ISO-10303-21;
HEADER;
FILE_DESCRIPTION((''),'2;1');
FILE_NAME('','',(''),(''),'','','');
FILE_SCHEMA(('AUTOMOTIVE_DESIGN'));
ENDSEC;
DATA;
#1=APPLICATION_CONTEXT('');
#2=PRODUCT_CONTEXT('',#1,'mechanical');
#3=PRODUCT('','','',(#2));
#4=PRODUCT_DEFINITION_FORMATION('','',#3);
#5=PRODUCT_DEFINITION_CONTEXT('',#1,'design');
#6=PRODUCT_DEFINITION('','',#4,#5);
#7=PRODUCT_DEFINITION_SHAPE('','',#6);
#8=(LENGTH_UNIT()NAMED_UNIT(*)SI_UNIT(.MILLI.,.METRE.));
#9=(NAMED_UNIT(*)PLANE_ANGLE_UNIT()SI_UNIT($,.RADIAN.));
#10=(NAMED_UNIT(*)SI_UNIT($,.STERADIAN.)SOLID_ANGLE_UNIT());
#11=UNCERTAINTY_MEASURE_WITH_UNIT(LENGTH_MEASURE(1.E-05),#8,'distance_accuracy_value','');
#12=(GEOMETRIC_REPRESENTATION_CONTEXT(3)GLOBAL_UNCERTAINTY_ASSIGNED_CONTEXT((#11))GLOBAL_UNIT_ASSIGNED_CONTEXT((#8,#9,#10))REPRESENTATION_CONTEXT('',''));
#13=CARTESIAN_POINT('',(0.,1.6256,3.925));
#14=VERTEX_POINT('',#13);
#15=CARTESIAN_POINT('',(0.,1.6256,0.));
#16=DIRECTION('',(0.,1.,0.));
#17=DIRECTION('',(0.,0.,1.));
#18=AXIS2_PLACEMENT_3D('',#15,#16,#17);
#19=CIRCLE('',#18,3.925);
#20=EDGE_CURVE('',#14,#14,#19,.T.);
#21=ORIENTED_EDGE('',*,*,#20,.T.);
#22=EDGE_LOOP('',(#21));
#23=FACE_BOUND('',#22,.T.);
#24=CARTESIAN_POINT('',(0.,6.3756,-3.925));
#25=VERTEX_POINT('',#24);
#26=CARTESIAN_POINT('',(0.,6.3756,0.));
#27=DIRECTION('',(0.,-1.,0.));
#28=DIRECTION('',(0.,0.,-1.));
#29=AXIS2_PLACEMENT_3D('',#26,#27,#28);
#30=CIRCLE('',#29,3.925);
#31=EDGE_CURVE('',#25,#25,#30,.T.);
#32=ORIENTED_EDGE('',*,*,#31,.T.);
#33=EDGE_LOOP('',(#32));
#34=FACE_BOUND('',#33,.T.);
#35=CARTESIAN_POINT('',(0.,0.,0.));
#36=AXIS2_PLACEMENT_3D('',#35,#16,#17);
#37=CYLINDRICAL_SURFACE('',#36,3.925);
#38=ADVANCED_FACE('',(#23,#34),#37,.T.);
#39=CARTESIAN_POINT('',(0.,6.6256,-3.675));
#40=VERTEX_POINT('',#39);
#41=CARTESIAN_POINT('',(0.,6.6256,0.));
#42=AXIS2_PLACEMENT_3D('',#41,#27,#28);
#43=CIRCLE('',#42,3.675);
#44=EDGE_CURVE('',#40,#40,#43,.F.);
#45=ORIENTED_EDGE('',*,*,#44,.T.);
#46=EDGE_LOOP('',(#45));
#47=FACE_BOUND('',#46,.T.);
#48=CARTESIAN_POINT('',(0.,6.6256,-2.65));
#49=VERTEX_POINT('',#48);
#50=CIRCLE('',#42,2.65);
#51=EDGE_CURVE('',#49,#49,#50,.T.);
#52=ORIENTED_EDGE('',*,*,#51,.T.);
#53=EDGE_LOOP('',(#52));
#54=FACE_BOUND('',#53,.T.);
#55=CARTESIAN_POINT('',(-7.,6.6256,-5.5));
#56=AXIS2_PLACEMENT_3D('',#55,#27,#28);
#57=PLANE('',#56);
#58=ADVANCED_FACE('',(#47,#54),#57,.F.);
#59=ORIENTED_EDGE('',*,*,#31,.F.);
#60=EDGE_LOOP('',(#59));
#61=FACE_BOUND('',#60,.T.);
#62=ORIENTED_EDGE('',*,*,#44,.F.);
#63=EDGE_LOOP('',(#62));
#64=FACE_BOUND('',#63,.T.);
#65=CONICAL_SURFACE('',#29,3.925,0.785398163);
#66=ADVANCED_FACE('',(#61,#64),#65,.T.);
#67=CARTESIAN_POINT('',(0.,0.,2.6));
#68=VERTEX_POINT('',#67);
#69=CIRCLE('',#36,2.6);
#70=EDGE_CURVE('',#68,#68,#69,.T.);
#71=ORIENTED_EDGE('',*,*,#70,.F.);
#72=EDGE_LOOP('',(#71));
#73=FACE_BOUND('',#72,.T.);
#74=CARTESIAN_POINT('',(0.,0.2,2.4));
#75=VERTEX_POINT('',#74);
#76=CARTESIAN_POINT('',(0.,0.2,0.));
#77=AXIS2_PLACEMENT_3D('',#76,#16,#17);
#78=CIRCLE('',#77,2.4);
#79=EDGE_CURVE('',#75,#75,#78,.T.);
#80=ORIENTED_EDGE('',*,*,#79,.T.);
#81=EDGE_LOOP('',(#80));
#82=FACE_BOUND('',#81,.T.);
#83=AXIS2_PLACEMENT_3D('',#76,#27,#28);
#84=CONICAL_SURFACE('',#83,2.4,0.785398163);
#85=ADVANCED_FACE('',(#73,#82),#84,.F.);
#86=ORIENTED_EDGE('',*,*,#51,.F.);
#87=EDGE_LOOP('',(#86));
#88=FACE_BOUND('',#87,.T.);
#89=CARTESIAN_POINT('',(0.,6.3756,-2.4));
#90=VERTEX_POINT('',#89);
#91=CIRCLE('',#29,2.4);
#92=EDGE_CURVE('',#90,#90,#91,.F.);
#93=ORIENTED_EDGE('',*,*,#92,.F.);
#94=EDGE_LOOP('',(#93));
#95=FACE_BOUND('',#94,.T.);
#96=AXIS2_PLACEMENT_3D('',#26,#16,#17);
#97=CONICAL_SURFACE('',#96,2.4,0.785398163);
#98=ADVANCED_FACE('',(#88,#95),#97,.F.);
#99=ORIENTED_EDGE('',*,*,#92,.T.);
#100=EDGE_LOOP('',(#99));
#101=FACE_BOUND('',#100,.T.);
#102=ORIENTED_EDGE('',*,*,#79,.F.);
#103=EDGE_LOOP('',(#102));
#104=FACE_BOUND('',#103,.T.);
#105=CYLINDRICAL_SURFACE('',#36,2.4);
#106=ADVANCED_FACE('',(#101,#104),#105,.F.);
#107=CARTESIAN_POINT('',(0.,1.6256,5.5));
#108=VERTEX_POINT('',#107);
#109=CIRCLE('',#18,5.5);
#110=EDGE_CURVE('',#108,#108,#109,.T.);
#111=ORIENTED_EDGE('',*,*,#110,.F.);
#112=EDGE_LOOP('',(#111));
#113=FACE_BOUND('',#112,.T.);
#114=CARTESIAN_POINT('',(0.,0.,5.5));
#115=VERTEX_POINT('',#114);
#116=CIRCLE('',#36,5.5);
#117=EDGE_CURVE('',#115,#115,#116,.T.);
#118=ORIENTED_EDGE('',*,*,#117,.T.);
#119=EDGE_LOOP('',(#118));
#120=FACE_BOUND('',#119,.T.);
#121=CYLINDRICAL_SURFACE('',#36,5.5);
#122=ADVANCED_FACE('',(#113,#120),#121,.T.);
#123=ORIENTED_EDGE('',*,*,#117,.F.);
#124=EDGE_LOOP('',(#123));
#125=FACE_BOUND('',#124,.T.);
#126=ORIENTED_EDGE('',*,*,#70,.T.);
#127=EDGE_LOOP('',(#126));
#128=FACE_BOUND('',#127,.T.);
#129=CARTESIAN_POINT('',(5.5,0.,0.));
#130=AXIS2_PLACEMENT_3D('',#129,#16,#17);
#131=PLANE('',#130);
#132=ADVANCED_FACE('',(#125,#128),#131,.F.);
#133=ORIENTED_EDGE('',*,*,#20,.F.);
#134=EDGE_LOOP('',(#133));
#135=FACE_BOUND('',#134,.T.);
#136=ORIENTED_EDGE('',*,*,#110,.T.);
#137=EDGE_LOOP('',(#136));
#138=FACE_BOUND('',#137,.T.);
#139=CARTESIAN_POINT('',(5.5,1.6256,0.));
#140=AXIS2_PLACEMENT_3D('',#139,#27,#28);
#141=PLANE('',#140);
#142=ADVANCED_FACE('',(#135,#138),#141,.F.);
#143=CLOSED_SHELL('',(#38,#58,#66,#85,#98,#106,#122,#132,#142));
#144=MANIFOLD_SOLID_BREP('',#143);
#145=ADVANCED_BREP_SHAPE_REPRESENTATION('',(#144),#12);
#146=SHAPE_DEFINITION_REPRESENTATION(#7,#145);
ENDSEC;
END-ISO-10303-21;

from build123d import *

# Parameters (mm, degrees)
SKETCH2_W               = 14
SKETCH2_H               = 8
CUT_EXTRUDE1_DEPTH      = 6.5
CUT_EXTRUDE1_DEPTH_BACK = 6.5
CHAMFER1_SIZE           = 0.25


with BuildPart() as part:
    # Sketch1 → Revolve1 (revolve)
    with BuildSketch(Plane.XY):
        Polygon((3.925, 1.6256), (3.925, 12.4), (2.4, 12.4), (2.4, 0.2), (2.6, 0), (5.5, 0), (5.5, 1.6256), align=None)
    revolve(axis=Axis((0, 0, 0), (0, -1, 0)))

    # Sketch2 → Cut-Extrude1 (cut, two sides)
    with BuildSketch(Plane.XY) as cut_extrude1_sk:
        with Locations((0, 10.6256)):
            Rectangle(SKETCH2_W, SKETCH2_H)
    extrude(amount=CUT_EXTRUDE1_DEPTH, mode=Mode.SUBTRACT)
    extrude(cut_extrude1_sk.sketch, amount=-CUT_EXTRUDE1_DEPTH_BACK, mode=Mode.SUBTRACT)

    # Chamfer1
    chamfer1_edges = [part.edges().sort_by_distance(p)[0] for p in [
        (-3.925, 6.6256, 0),
        (-2.4, 6.6256, 0),
    ]]
    chamfer(chamfer1_edges, length=CHAMFER1_SIZE)


solid = part.part
